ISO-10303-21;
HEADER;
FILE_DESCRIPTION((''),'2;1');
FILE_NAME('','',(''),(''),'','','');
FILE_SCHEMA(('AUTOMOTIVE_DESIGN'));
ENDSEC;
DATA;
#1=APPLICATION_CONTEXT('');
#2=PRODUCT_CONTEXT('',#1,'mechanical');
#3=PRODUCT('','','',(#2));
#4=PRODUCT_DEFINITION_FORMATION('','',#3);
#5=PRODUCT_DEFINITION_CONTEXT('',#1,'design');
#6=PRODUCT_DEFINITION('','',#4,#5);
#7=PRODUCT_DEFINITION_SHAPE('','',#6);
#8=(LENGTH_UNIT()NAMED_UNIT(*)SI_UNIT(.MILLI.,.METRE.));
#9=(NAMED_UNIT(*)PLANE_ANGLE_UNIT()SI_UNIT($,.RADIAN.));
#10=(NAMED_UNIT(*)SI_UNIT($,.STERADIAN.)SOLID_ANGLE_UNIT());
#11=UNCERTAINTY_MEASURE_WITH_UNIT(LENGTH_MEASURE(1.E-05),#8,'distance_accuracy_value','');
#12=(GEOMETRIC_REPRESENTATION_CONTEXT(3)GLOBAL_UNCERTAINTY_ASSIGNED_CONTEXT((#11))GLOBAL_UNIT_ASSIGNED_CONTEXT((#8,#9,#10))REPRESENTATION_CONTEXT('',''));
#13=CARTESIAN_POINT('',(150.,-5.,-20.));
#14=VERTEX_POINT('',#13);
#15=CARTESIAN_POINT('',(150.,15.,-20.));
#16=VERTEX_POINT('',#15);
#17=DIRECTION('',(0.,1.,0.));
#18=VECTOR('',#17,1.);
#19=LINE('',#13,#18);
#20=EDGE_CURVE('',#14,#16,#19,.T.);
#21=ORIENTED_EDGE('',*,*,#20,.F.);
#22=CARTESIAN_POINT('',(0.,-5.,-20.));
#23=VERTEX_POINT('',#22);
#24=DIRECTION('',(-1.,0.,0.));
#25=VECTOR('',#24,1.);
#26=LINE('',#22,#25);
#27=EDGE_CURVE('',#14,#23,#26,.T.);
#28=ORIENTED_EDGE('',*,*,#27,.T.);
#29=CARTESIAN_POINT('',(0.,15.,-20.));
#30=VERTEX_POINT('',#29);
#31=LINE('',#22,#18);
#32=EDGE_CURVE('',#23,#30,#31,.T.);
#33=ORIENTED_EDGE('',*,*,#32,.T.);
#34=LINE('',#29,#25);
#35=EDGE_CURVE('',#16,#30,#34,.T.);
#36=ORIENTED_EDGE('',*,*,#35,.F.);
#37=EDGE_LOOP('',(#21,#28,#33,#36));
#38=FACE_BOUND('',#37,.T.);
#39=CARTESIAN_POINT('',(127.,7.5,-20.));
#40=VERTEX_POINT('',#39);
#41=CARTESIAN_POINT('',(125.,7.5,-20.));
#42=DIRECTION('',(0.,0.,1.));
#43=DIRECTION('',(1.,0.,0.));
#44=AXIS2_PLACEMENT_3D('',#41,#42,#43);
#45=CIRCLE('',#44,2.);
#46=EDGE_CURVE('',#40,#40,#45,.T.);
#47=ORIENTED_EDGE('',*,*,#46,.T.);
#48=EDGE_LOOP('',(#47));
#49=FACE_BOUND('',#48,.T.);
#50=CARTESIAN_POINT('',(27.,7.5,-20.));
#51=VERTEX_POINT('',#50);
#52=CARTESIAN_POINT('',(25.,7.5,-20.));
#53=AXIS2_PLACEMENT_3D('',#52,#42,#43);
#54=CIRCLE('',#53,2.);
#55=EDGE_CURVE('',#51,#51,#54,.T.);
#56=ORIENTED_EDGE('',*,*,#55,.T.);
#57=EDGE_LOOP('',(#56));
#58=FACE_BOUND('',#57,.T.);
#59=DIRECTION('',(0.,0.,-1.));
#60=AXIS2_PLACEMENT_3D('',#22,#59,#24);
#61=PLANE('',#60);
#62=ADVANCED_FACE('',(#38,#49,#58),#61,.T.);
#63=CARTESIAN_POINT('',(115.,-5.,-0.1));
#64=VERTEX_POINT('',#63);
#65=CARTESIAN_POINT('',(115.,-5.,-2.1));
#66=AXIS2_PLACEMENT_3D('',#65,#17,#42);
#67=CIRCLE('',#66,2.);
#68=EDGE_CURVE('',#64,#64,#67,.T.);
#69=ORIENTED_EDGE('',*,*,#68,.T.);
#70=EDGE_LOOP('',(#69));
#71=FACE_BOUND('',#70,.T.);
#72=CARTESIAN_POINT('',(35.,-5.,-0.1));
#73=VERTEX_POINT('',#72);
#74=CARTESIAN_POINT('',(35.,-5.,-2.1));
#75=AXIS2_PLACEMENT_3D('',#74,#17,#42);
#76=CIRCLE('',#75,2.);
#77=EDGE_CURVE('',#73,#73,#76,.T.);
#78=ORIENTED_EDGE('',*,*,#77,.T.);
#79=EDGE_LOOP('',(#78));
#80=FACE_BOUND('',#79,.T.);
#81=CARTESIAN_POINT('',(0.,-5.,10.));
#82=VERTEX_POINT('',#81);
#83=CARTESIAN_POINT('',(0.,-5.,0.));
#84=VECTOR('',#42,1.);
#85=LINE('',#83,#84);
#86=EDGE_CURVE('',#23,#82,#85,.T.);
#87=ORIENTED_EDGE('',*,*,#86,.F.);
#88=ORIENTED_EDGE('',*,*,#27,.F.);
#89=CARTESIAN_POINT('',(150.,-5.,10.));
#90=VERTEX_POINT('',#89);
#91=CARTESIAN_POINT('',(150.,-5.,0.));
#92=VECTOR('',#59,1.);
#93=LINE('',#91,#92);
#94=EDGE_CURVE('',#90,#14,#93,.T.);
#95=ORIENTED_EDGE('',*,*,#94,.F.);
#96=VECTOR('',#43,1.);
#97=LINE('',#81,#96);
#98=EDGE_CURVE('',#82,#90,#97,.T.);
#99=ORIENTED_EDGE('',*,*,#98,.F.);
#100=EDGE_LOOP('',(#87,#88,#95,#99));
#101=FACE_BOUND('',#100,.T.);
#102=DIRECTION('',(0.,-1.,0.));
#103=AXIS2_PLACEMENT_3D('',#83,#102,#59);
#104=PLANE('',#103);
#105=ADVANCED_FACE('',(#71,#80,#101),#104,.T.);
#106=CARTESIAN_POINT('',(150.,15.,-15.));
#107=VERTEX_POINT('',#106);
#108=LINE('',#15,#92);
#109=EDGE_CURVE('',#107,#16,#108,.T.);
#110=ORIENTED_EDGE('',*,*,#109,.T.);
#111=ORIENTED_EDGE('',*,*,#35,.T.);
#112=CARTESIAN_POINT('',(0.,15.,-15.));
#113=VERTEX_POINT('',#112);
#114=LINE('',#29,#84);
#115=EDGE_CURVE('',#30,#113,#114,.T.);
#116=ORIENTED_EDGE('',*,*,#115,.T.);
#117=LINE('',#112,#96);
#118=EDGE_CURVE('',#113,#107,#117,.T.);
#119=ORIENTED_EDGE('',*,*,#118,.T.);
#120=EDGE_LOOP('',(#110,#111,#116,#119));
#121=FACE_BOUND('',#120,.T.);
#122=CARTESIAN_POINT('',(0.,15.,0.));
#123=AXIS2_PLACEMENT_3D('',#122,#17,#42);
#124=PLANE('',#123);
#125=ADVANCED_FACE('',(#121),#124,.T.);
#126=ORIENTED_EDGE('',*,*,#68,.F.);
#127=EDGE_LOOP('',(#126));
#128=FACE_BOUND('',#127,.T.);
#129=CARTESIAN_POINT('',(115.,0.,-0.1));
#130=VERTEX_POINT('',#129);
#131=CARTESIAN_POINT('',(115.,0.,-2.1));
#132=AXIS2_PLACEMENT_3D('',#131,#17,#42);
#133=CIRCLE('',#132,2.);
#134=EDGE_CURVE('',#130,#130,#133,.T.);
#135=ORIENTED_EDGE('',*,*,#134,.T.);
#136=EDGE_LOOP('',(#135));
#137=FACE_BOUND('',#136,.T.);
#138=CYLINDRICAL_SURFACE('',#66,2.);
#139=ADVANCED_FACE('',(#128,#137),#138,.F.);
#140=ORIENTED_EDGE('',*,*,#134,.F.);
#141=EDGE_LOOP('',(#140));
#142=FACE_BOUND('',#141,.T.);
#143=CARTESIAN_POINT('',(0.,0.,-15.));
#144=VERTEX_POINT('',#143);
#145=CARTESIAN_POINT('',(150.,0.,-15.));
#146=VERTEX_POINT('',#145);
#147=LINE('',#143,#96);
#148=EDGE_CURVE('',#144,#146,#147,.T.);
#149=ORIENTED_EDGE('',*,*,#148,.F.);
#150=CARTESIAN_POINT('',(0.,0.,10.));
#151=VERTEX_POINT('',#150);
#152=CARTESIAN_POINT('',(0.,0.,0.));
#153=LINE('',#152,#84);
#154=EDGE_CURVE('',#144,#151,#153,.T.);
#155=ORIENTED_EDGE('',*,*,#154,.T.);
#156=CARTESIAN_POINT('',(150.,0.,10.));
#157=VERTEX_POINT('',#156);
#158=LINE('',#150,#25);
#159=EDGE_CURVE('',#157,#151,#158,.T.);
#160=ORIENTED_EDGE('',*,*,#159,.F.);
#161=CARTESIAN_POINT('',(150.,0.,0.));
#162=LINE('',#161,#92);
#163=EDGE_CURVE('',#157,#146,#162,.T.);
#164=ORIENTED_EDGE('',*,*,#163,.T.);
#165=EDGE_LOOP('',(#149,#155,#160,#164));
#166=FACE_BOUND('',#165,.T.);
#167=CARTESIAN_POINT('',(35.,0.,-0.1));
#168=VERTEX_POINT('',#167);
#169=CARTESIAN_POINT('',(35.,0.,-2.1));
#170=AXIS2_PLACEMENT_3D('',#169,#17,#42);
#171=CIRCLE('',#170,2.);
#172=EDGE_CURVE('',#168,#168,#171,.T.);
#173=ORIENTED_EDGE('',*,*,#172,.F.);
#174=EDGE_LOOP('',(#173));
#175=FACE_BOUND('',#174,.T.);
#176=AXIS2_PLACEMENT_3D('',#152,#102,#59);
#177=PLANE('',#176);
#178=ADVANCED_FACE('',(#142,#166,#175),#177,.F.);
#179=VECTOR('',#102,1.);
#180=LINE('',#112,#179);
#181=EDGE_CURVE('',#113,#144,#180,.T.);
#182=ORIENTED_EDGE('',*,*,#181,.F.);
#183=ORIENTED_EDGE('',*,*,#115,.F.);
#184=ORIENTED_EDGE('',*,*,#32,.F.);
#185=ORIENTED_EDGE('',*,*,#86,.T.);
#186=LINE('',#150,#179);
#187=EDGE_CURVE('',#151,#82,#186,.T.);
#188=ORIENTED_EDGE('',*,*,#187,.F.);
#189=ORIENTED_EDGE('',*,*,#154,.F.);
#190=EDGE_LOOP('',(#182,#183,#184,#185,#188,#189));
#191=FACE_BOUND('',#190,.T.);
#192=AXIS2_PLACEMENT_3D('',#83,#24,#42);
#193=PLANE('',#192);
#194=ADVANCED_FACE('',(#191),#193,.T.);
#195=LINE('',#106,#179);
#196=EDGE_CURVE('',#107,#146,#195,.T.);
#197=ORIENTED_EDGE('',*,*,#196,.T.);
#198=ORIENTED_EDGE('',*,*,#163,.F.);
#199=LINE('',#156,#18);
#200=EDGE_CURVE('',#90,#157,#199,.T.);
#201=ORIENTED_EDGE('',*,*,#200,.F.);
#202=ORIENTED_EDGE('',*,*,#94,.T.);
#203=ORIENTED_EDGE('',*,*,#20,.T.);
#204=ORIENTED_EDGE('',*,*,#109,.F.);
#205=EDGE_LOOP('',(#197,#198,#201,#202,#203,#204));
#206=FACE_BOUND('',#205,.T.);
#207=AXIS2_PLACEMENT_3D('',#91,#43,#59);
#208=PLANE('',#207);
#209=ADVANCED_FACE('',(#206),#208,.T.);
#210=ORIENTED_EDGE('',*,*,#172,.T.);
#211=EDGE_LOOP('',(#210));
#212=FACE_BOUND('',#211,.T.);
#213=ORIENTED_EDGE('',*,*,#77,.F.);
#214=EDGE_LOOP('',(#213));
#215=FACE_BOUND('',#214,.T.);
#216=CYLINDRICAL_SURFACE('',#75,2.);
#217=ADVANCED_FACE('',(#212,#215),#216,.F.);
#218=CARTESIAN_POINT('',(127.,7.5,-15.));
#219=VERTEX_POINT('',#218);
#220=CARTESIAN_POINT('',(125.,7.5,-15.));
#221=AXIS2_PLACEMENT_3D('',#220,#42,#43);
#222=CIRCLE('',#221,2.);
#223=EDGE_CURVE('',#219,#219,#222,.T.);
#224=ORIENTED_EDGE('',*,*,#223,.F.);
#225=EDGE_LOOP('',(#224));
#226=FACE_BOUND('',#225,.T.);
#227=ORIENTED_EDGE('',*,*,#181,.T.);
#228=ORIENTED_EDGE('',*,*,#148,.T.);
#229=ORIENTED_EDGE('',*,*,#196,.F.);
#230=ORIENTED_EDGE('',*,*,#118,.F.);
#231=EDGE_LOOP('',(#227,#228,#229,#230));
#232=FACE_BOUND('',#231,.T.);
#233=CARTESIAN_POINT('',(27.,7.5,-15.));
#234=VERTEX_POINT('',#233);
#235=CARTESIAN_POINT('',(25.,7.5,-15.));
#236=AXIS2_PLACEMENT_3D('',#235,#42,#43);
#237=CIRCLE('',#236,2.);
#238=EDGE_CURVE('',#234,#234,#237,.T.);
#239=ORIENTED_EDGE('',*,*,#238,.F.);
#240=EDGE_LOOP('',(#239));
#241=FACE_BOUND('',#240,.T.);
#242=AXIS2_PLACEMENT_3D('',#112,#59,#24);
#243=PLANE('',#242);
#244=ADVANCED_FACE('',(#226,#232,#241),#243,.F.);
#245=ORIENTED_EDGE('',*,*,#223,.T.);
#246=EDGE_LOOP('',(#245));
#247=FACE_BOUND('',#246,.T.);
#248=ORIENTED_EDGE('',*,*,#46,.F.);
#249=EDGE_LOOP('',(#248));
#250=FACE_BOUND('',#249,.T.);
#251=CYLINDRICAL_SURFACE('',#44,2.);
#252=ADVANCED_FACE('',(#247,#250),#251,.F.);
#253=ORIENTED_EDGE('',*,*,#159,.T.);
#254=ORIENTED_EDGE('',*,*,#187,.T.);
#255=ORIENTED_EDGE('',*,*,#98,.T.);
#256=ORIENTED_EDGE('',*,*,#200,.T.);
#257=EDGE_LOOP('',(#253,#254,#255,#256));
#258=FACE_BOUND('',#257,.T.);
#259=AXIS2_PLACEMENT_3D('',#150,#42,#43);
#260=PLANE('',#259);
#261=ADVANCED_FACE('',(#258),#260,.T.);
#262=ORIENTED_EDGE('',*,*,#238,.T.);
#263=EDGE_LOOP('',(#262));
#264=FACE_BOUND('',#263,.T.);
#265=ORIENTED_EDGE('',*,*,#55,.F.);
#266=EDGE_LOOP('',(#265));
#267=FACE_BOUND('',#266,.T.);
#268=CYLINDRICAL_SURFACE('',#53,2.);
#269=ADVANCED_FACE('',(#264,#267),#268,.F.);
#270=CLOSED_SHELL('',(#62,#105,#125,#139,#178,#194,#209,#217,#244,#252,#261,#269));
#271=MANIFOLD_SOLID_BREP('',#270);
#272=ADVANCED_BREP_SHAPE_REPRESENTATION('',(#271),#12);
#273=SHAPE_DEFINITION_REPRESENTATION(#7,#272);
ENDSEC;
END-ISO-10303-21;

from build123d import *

# Parameters (mm, degrees)
SKETCH1_W           = 150
SKETCH1_H           = 20
BOSS_EXTRUDE1_DEPTH = 5
SKETCH3_W           = 150
SKETCH3_H           = 5
BOSS_EXTRUDE2_DEPTH = 15
SKETCH5_R           = 2
CUT_EXTRUDE1_DEPTH  = 6
SKETCH6_R           = 2
CUT_EXTRUDE2_DEPTH  = 6
SKETCH7_W           = 150
SKETCH7_H           = 5
BOSS_EXTRUDE3_DEPTH = 10


with BuildPart() as part:
    # Sketch1 → Boss-Extrude1 (new body)
    with BuildSketch(Plane(origin=(0, 0, 0), x_dir=(1, 0, 0), z_dir=(0, 1, 0))):
        with Locations((75, 10)):
            Rectangle(SKETCH1_W, SKETCH1_H)
    extrude(amount=-BOSS_EXTRUDE1_DEPTH)

    # Sketch3 → Boss-Extrude2 (add)
    with BuildSketch(Plane(origin=(0, 0, 0), x_dir=(1, 0, 0), z_dir=(0, 1, 0))):
        with Locations((75, 17.5)):
            Rectangle(SKETCH3_W, SKETCH3_H)
    extrude(amount=BOSS_EXTRUDE2_DEPTH)

    # Sketch5 → Cut-Extrude1 (cut, through all)
    with BuildSketch(Plane.XY.offset(-15)):
        with Locations((25, 7.5)):
            Circle(SKETCH5_R)
        with Locations((125, 7.5)):
            Circle(SKETCH5_R)
    extrude(amount=-CUT_EXTRUDE1_DEPTH, mode=Mode.SUBTRACT)

    # Sketch6 → Cut-Extrude2 (cut, through all)
    with BuildSketch(Plane(origin=(0, 0, 0), x_dir=(1, 0, 0), z_dir=(0, 1, 0))):
        with Locations((35, 2.1)):
            Circle(SKETCH6_R)
        with Locations((115, 2.1)):
            Circle(SKETCH6_R)
    extrude(amount=-CUT_EXTRUDE2_DEPTH, mode=Mode.SUBTRACT)

    # Sketch7 → Boss-Extrude3 (add)
    with BuildSketch(Plane.XY):
        with Locations((75, -2.5)):
            Rectangle(SKETCH7_W, SKETCH7_H)
    extrude(amount=BOSS_EXTRUDE3_DEPTH)


solid = part.part
